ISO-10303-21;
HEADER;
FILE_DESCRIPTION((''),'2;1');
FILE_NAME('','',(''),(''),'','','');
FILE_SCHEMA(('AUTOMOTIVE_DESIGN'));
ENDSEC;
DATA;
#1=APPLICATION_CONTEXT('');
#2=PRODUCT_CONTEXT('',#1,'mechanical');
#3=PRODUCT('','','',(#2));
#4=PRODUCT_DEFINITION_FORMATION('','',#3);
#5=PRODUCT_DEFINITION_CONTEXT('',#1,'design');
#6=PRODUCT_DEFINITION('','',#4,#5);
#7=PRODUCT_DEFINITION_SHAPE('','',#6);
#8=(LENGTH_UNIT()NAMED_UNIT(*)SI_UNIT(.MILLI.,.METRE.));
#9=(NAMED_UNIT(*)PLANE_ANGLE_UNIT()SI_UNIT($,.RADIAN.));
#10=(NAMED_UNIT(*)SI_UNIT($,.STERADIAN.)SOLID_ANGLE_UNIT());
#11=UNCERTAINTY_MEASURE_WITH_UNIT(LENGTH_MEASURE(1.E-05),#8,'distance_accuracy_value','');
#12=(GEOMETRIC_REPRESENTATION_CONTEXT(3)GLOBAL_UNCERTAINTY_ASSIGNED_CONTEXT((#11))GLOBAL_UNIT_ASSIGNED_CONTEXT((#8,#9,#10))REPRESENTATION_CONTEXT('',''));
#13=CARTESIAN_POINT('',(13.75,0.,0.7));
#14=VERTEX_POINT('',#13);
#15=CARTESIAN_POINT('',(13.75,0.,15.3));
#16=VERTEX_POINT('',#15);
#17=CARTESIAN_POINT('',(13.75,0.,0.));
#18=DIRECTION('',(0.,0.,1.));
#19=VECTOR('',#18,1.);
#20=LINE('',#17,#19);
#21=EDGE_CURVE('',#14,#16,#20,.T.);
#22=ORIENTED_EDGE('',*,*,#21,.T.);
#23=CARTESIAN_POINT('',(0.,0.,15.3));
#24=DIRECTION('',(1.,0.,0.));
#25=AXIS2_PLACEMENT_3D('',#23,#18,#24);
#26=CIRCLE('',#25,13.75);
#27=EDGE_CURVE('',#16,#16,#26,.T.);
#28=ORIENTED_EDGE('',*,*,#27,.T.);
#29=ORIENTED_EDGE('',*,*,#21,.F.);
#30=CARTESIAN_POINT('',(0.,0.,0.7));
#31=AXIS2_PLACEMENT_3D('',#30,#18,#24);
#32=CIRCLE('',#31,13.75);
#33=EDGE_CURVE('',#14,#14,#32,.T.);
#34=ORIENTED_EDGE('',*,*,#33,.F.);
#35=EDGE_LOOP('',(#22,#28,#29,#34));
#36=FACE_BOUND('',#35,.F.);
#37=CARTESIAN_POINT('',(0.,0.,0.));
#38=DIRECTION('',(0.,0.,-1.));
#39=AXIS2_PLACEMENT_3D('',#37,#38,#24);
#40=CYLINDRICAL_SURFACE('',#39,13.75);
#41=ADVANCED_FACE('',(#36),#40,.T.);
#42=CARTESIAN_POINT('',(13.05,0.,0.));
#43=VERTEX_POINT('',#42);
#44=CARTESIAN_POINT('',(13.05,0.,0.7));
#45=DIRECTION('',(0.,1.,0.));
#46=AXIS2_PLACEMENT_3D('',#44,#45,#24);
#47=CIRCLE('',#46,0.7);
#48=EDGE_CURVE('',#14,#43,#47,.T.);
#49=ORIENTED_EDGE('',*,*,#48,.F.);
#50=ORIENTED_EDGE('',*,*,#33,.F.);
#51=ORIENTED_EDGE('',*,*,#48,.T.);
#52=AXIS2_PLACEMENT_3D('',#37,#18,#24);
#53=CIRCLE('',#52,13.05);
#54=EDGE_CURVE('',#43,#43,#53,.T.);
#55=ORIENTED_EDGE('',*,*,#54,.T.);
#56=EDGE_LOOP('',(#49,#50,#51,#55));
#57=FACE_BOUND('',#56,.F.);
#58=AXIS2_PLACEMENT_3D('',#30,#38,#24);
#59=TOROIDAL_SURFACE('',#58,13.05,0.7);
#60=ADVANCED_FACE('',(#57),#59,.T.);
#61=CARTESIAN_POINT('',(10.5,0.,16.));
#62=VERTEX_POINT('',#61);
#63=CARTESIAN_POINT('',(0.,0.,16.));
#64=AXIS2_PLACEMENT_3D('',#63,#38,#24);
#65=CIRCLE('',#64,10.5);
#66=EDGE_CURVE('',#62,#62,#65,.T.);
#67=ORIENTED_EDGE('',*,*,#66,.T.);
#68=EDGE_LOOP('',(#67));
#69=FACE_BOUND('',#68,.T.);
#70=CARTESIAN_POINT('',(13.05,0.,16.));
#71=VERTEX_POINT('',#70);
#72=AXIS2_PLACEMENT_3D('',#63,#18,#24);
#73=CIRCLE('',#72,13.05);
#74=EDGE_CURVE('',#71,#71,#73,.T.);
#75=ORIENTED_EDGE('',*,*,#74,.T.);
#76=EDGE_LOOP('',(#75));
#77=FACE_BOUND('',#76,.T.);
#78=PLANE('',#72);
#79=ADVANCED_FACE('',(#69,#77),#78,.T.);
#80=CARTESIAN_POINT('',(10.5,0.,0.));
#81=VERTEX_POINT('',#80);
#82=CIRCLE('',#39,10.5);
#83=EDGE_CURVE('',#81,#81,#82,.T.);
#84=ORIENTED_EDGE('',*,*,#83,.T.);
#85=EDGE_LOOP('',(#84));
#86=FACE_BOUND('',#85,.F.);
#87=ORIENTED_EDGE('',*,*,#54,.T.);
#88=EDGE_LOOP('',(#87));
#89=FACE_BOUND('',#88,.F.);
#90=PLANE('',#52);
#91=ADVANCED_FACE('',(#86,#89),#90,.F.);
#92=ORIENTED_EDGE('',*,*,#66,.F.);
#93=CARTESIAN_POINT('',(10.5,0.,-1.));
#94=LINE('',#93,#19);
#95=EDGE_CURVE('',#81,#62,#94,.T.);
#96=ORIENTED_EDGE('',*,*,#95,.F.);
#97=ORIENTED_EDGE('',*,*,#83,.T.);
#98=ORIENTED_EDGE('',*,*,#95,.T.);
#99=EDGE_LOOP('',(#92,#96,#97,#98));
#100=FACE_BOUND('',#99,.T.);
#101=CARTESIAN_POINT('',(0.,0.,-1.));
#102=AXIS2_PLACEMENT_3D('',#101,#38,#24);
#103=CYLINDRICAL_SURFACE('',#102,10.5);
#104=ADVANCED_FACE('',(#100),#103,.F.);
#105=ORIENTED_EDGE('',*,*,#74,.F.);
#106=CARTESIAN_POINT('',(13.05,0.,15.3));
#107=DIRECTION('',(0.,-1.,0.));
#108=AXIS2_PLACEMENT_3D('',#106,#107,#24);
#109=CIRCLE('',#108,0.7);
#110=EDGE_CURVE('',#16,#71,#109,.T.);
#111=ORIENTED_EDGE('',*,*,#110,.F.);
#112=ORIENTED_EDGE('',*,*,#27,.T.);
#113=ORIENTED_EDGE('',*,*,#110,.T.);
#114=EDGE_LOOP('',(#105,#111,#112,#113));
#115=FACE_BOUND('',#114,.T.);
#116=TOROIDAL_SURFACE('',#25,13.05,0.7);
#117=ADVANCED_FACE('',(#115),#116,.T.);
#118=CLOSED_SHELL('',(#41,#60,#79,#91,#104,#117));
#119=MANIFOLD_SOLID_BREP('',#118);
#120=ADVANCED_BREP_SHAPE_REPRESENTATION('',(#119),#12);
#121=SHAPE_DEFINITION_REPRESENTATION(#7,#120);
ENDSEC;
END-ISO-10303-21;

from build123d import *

# Parameters (mm, degrees)
CYLINDER041_R     = 10.5
CYLINDER041_DEPTH = 20
CYLINDER040_R     = 13.75
CYLINDER040_DEPTH = 16
FILLET013_R       = 0.7


with BuildPart() as cylinder041:
    # Cylinder041 → Cylinder041 (new body)
    with BuildSketch(Plane.XY.offset(-1)):
        Circle(CYLINDER041_R)
    extrude(amount=CYLINDER041_DEPTH)


with BuildPart() as tire_src001:
    # Cylinder040 → Cylinder040 (new body)
    with BuildSketch(Plane.XY):
        Circle(CYLINDER040_R)
    extrude(amount=CYLINDER040_DEPTH)

    # Cut027: cut Cylinder041
    add(cylinder041.part, mode=Mode.SUBTRACT)

    # Fillet013
    fillet013_edges = [tire_src001.edges().sort_by_distance(p)[0] for p in [
        (-13.75, 0, 16),
        (-13.75, 0, 0),
    ]]
    fillet(fillet013_edges, radius=FILLET013_R)


solid = tire_src001.part
